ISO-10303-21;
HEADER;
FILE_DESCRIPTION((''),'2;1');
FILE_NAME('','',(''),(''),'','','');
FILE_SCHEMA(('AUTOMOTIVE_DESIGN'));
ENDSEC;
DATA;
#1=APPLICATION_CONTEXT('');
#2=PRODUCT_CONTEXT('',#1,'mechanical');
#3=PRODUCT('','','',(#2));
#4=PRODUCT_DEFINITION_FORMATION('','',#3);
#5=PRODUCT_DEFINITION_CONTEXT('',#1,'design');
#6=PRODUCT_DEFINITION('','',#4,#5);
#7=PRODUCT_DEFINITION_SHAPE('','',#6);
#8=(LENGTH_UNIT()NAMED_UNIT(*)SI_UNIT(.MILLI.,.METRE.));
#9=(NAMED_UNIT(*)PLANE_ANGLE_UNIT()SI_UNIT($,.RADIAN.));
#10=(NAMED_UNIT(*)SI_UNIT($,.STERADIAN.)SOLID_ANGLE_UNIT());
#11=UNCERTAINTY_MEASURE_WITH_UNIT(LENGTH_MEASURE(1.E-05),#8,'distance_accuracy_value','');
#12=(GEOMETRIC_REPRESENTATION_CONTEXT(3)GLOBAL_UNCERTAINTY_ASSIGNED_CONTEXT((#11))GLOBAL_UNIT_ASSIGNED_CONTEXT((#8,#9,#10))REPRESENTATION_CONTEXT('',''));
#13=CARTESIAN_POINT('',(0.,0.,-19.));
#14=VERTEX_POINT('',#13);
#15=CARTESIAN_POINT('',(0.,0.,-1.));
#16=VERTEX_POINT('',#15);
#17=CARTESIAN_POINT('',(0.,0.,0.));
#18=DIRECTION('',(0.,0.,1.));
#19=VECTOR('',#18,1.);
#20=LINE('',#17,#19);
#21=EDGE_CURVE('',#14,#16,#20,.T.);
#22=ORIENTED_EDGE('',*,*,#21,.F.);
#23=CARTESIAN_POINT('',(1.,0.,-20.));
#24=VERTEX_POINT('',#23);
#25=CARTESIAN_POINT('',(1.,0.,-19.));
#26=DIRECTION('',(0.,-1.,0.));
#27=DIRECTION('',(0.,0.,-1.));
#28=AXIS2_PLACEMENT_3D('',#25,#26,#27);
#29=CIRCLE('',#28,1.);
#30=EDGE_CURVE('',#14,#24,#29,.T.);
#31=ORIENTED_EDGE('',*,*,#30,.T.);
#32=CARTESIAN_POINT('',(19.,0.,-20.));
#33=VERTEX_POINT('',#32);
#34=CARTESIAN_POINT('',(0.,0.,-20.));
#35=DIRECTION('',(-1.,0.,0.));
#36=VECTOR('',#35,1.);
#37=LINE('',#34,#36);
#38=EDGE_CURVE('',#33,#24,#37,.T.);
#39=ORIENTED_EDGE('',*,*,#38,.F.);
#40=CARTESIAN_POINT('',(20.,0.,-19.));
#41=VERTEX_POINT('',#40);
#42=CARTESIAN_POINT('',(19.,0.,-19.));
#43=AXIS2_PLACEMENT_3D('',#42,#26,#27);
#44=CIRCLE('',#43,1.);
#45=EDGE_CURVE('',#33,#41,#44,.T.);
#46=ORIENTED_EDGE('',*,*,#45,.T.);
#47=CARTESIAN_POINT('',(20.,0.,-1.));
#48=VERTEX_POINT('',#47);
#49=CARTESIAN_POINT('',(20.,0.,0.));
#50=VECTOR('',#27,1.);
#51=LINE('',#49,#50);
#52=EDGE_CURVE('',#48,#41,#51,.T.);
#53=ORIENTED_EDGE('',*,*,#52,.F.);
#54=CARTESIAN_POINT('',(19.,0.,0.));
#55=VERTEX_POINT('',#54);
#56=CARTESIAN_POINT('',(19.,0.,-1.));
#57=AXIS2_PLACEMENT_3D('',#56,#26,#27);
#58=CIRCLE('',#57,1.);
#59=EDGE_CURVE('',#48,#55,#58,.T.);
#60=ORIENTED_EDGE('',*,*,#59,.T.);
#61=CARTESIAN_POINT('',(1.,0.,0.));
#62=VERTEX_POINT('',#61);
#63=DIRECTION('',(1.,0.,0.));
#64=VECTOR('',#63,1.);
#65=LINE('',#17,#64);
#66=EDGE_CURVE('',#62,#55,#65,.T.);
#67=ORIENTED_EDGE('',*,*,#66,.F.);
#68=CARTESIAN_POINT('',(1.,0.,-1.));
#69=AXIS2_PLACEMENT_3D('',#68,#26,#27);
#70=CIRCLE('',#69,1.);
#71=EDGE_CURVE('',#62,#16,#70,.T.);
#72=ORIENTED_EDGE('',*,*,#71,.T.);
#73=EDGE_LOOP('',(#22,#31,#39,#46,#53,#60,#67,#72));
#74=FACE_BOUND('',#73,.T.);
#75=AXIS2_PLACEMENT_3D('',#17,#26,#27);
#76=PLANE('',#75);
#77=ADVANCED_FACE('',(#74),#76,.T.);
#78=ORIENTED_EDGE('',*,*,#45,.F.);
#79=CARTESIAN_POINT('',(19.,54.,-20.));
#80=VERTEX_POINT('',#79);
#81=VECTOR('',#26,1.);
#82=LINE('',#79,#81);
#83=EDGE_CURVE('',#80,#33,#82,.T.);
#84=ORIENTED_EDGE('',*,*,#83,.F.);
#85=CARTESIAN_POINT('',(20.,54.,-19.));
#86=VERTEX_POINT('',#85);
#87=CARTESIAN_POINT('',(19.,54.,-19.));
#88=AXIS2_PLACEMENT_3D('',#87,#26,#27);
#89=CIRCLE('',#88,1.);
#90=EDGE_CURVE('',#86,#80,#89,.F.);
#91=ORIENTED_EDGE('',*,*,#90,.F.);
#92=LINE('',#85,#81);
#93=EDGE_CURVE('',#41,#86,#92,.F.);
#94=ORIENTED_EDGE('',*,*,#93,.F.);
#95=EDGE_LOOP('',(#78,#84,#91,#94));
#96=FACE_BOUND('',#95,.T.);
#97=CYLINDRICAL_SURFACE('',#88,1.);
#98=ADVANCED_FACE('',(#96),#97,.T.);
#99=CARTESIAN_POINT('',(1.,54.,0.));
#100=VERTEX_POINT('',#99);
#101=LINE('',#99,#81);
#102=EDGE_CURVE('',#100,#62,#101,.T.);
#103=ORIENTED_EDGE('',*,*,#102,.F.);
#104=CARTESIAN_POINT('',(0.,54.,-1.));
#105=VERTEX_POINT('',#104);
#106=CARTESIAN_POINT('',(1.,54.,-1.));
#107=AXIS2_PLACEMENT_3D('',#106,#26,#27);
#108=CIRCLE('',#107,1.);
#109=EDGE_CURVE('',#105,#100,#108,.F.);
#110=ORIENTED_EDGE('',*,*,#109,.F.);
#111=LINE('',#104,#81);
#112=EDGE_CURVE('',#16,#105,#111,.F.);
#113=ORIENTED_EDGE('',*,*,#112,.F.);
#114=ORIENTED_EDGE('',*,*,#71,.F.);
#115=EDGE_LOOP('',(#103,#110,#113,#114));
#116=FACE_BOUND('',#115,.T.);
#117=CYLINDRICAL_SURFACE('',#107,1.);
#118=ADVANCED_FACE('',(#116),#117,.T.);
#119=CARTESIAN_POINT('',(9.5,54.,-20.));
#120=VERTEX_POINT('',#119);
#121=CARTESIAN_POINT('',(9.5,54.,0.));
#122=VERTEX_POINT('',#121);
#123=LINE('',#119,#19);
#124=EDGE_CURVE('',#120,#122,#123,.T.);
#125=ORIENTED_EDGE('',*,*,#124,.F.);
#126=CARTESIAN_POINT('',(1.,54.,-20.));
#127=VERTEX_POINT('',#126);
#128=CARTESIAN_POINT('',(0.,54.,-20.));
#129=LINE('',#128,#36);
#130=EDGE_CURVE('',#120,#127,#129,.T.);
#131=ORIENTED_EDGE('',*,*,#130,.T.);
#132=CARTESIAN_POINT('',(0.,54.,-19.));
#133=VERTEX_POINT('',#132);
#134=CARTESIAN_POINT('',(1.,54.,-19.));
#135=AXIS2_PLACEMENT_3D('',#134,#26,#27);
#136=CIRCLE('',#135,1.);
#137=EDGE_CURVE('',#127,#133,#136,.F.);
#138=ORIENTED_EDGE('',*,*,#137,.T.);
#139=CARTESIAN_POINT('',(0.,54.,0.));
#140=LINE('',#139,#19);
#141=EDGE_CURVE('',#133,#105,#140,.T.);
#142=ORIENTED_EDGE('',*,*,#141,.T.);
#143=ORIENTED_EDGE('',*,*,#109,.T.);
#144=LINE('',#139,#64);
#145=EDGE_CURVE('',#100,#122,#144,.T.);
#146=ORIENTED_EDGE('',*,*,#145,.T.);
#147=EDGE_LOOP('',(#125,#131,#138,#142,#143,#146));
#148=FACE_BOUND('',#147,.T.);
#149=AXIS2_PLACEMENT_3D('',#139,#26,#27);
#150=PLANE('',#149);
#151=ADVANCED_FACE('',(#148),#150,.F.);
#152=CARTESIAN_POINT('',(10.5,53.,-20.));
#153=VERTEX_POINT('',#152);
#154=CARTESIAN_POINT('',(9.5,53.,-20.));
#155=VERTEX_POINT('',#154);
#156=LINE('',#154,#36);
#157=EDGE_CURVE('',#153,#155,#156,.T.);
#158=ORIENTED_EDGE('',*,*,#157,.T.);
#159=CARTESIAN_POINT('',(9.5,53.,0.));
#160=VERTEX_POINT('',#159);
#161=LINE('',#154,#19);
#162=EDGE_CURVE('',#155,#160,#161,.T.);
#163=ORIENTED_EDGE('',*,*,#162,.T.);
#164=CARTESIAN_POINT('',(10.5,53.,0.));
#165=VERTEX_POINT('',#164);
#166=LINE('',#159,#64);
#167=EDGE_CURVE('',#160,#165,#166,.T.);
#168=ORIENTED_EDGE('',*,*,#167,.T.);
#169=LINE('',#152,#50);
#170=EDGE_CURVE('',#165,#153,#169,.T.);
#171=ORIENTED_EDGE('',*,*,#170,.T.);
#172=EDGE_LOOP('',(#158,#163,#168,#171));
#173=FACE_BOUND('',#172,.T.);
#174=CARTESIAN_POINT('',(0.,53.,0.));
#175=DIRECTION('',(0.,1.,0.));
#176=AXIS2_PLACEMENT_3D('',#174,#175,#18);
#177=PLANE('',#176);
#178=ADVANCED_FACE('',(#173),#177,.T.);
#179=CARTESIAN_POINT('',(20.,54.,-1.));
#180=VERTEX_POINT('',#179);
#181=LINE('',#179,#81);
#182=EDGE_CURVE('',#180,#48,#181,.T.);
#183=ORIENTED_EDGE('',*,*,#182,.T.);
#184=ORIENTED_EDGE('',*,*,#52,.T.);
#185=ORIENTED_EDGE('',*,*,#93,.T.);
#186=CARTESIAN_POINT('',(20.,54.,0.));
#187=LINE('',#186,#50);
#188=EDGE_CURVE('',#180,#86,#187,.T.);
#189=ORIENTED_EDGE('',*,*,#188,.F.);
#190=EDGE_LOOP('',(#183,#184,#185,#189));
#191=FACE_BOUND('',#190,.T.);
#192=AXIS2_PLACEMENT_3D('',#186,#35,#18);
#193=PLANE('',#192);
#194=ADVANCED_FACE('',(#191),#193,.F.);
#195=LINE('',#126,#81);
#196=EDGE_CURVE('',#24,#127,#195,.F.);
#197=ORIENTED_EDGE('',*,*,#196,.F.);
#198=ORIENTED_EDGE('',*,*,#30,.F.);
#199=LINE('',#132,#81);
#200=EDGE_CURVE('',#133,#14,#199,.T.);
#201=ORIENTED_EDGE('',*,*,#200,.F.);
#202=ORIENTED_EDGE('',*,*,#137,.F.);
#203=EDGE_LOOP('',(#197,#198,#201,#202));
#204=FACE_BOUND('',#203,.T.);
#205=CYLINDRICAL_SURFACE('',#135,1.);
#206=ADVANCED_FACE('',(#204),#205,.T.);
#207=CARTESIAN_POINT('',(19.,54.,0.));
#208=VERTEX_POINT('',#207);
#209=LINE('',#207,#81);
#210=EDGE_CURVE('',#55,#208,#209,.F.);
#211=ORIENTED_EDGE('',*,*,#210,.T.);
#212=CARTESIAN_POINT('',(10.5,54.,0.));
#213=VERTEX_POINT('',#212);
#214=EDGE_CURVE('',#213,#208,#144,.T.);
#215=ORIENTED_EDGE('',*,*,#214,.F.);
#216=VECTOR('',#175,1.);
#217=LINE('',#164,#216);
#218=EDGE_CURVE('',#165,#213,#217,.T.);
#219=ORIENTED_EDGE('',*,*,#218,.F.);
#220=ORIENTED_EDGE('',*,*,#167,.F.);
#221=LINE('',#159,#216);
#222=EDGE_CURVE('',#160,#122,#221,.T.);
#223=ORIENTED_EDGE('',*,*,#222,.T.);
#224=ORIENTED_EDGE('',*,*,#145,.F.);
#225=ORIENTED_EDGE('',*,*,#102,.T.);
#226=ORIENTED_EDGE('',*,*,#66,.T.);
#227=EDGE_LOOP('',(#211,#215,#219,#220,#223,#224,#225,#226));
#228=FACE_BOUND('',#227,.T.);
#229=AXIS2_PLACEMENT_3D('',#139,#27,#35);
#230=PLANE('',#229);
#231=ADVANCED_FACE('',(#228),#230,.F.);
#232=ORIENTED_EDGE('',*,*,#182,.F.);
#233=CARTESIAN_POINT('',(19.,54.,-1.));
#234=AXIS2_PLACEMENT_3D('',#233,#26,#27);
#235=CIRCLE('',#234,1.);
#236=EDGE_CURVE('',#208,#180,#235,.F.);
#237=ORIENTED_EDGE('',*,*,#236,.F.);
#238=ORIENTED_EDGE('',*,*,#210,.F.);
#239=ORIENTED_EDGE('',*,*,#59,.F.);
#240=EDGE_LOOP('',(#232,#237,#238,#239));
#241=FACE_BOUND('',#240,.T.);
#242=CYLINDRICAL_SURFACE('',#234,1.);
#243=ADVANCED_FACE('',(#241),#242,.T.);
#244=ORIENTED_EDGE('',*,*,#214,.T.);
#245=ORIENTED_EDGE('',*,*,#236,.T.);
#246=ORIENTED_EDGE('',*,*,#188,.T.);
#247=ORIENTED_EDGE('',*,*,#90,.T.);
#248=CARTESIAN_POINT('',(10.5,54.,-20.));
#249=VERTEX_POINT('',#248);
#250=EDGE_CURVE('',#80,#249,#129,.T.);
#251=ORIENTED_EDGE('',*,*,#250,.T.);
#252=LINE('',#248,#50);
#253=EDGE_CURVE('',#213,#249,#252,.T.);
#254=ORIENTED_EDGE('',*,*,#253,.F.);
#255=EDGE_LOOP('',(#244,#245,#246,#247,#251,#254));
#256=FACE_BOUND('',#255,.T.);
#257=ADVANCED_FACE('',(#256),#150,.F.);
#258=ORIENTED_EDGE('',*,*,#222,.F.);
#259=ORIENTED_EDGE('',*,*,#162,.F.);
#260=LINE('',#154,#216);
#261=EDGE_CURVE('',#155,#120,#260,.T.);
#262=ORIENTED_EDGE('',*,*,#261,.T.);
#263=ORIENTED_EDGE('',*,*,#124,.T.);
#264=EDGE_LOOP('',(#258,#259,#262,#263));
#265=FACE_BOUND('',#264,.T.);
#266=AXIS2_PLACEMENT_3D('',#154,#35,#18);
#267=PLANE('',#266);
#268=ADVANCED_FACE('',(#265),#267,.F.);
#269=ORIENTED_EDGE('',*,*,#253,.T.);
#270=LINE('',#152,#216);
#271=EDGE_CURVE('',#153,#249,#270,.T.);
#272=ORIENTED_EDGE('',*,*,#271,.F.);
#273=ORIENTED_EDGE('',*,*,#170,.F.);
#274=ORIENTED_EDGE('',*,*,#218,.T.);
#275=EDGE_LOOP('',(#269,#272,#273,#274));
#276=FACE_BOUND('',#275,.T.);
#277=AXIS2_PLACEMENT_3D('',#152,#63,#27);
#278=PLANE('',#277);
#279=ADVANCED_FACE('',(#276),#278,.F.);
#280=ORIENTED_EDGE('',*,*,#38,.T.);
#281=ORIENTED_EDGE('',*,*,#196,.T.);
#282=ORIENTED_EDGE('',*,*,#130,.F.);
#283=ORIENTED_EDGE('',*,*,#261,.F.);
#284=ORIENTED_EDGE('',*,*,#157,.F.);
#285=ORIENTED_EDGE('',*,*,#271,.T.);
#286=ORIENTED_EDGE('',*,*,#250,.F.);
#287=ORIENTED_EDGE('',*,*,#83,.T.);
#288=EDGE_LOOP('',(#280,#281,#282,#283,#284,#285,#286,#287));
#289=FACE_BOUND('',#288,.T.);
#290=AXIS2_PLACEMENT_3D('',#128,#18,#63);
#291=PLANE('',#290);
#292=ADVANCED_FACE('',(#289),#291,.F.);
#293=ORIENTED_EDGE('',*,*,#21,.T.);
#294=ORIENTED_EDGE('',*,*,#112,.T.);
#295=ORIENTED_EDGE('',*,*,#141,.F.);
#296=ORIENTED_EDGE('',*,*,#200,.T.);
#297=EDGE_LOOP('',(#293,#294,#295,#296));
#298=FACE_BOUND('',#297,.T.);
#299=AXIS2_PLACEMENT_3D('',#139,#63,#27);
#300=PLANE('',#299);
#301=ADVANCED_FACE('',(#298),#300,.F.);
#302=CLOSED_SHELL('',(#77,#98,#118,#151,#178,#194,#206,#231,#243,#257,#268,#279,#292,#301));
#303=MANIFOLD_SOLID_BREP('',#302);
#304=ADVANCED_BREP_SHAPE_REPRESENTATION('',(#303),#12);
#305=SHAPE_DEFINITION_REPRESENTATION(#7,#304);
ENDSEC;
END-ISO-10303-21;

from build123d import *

# Parameters (mm, degrees)
SKETCH_1_W          = 20
SKETCH_1_H          = 20
EXTRUDE_1_DEPTH     = 54
FILLET_1_R          = 1
SKETCH_2_W          = 1
SKETCH_2_H          = 20
CUT_EXTRUDE_1_DEPTH = 1


with BuildPart() as part:
    # 草图1 → 凸台-拉伸1 (new body)
    with BuildSketch(Plane(origin=(0, 0, 0), x_dir=(1, 0, 0), z_dir=(0, 1, 0))):
        with Locations((10, 10)):
            Rectangle(SKETCH_1_W, SKETCH_1_H)
    extrude(amount=EXTRUDE_1_DEPTH)

    # 圆角1
    fillet_1_edges = [part.edges().sort_by_distance(p)[0] for p in [
        (0, 27, -20),
        (20, 27, -20),
        (20, 27, 0),
        (0, 27, 0),
    ]]
    fillet(fillet_1_edges, radius=FILLET_1_R)

    # 草图2 → 切除-拉伸1 (cut)
    with BuildSketch(Plane(origin=(0, 54, 0), x_dir=(1, 0, 0), z_dir=(0, 1, 0))):
        with Locations((10, 10)):
            Rectangle(SKETCH_2_W, SKETCH_2_H)
    extrude(amount=-CUT_EXTRUDE_1_DEPTH, mode=Mode.SUBTRACT)


solid = part.part
